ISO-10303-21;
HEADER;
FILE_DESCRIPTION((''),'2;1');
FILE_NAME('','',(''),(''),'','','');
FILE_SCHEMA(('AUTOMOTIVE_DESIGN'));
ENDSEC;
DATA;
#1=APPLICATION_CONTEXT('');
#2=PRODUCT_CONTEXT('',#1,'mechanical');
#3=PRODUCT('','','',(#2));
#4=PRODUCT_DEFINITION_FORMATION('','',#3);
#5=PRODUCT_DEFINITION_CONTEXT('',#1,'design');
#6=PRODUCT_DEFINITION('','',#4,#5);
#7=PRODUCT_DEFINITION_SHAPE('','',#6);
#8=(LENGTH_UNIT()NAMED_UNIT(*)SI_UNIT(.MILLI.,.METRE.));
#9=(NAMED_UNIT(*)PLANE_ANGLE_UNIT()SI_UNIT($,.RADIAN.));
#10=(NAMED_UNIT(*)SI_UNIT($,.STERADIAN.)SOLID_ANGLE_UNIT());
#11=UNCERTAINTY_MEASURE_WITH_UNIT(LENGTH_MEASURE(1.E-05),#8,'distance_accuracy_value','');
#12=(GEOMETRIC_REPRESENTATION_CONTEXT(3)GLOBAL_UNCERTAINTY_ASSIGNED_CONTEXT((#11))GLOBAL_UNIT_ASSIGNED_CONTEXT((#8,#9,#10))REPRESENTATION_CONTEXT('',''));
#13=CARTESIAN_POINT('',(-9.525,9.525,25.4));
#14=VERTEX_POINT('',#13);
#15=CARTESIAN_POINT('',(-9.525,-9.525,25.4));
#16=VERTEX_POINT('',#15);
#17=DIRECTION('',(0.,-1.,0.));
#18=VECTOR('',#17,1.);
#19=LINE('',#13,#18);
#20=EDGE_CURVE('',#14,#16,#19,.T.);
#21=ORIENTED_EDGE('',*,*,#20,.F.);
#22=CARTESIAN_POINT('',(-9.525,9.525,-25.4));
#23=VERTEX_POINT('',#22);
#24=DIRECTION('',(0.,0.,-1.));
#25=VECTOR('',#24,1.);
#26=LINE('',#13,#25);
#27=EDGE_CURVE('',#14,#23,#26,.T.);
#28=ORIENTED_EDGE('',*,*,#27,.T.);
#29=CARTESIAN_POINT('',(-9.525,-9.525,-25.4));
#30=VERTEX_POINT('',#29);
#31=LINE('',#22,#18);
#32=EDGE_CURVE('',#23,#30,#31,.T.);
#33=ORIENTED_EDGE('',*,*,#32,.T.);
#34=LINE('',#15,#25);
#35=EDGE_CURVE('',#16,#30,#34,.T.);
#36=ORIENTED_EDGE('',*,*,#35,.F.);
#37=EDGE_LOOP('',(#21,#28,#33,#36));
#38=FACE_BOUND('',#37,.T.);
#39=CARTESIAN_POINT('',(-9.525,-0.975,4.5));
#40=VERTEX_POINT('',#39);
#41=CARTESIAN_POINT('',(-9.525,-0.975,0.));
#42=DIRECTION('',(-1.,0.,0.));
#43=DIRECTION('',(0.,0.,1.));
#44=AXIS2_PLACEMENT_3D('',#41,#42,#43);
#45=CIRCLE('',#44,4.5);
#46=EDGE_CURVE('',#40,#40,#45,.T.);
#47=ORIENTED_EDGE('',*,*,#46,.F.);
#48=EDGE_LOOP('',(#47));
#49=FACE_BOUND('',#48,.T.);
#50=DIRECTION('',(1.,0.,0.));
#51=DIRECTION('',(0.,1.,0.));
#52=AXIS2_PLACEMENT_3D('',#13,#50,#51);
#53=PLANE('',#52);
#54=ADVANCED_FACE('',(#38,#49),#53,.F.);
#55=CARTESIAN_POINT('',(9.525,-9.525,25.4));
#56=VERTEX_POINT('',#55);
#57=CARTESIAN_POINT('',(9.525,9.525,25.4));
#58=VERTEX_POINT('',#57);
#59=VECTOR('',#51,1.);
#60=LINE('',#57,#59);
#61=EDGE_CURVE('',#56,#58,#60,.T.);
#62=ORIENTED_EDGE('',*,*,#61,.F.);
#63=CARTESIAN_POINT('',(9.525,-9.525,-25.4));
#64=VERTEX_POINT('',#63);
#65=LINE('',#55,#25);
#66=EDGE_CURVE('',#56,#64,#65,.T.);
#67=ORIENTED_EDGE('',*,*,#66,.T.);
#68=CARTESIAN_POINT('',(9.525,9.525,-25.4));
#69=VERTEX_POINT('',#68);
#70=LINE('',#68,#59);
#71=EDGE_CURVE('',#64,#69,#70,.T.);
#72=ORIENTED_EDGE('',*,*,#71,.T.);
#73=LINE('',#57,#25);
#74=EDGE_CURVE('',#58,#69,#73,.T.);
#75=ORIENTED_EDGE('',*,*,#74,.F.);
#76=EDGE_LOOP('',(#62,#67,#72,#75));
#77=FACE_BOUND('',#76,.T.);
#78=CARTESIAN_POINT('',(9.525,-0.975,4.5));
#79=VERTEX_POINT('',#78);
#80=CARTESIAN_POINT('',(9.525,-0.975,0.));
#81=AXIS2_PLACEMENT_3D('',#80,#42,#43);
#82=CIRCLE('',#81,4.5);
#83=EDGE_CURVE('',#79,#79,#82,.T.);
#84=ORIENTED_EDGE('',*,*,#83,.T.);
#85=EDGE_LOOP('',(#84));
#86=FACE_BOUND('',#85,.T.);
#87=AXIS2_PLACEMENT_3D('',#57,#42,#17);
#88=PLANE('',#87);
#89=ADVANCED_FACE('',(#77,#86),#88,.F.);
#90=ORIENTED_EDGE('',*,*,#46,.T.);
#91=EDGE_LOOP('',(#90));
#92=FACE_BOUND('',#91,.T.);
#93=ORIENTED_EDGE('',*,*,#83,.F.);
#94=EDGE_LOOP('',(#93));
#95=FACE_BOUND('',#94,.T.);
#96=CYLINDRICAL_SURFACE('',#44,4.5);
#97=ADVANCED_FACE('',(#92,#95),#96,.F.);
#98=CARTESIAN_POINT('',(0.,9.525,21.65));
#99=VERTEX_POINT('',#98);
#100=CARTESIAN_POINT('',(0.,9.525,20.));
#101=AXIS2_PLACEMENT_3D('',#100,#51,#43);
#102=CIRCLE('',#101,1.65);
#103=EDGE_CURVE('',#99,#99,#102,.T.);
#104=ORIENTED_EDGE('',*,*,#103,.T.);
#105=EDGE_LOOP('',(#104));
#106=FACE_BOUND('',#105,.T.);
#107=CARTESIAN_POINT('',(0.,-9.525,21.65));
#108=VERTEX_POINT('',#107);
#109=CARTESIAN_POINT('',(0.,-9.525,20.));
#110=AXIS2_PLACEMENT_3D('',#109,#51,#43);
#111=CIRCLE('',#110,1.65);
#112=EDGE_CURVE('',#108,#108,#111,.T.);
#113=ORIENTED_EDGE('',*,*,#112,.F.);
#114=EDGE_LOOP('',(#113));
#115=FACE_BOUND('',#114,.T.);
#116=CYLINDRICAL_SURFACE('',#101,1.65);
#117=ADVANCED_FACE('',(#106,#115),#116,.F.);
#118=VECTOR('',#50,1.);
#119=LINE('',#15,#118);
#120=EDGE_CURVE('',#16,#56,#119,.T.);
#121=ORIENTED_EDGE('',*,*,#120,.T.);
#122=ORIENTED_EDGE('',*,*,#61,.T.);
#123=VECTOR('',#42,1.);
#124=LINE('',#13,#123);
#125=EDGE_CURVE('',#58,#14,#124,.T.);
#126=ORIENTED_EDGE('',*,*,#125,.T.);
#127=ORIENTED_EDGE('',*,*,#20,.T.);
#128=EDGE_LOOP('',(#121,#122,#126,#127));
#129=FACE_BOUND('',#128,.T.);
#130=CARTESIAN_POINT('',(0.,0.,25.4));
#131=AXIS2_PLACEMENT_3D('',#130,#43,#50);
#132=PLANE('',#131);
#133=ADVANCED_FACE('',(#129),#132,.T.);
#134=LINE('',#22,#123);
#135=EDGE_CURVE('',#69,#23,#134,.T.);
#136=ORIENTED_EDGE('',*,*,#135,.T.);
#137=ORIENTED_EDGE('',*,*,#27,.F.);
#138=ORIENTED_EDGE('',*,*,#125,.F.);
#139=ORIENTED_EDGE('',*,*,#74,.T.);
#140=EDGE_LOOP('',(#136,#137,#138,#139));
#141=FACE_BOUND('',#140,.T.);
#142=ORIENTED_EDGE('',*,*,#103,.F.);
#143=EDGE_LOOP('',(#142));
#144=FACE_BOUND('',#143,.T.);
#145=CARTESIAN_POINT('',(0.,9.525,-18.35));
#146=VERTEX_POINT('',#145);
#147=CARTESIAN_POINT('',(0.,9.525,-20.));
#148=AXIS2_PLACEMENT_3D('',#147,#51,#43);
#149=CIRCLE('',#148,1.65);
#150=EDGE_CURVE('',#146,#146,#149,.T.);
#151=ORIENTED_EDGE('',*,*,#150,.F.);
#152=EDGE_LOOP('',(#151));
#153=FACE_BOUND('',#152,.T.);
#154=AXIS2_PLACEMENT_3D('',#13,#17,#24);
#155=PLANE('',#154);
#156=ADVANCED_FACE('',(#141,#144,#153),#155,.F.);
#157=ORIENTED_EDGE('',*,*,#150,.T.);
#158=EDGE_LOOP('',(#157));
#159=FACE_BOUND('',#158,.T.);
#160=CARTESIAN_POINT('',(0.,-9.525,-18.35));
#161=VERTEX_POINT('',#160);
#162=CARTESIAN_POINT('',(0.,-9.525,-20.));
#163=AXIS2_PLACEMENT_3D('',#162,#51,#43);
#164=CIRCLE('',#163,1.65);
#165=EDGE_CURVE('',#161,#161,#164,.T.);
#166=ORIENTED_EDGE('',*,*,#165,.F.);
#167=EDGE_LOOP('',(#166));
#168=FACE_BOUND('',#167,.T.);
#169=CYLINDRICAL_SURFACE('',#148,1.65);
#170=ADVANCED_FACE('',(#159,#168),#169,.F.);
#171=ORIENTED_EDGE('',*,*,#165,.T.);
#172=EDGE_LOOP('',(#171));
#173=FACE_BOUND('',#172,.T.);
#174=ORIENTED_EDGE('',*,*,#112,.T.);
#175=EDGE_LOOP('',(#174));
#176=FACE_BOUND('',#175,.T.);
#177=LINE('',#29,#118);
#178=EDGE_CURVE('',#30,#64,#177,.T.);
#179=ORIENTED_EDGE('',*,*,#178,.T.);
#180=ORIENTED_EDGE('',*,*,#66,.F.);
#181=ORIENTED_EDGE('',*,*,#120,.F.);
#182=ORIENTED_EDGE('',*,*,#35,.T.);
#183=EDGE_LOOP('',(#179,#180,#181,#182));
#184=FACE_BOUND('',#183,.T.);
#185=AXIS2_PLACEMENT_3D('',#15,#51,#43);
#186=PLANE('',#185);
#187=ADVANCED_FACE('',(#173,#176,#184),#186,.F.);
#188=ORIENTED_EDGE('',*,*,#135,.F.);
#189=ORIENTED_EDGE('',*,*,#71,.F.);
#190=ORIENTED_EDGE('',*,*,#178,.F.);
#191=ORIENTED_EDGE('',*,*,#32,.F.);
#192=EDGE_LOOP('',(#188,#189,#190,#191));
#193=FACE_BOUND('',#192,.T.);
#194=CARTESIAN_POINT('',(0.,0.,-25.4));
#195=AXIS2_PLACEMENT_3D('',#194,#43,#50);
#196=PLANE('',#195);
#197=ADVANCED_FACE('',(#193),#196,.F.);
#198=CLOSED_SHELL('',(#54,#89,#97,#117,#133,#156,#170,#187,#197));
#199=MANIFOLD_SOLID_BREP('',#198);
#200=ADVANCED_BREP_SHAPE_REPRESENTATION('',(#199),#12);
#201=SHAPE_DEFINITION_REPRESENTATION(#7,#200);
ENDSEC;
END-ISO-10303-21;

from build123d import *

# Parameters (mm, degrees)
SKETCH1_W                   = 19.05
SKETCH1_H                   = 19.05
BOSS_EXTRUDE1_DEPTH         = 25.4
TAP_DRILL_FOR_M4X0_7_TAP1_D = 3.3
M8_CLEARANCE_HOLE1_D        = 9


with BuildPart() as part:
    # Sketch1 → Boss-Extrude1 (new, symmetric)
    with BuildSketch(Plane.XY):
        Rectangle(SKETCH1_W, SKETCH1_H)
    extrude(amount=BOSS_EXTRUDE1_DEPTH, both=True)

    # Tap Drill for M4x0.7 Tap1 (through all)
    with Locations(Plane(origin=(0, 9.525, 0), x_dir=(1, 0, 0), z_dir=(0, 1, 0))):
        with Locations((0, 20), (0, -20)):
            Hole(TAP_DRILL_FOR_M4X0_7_TAP1_D / 2)

    # M8 Clearance Hole1 (through all)
    with Locations(Plane.ZY.offset(9.525)):
        with Locations((0, -0.975)):
            Hole(M8_CLEARANCE_HOLE1_D / 2)


solid = part.part
